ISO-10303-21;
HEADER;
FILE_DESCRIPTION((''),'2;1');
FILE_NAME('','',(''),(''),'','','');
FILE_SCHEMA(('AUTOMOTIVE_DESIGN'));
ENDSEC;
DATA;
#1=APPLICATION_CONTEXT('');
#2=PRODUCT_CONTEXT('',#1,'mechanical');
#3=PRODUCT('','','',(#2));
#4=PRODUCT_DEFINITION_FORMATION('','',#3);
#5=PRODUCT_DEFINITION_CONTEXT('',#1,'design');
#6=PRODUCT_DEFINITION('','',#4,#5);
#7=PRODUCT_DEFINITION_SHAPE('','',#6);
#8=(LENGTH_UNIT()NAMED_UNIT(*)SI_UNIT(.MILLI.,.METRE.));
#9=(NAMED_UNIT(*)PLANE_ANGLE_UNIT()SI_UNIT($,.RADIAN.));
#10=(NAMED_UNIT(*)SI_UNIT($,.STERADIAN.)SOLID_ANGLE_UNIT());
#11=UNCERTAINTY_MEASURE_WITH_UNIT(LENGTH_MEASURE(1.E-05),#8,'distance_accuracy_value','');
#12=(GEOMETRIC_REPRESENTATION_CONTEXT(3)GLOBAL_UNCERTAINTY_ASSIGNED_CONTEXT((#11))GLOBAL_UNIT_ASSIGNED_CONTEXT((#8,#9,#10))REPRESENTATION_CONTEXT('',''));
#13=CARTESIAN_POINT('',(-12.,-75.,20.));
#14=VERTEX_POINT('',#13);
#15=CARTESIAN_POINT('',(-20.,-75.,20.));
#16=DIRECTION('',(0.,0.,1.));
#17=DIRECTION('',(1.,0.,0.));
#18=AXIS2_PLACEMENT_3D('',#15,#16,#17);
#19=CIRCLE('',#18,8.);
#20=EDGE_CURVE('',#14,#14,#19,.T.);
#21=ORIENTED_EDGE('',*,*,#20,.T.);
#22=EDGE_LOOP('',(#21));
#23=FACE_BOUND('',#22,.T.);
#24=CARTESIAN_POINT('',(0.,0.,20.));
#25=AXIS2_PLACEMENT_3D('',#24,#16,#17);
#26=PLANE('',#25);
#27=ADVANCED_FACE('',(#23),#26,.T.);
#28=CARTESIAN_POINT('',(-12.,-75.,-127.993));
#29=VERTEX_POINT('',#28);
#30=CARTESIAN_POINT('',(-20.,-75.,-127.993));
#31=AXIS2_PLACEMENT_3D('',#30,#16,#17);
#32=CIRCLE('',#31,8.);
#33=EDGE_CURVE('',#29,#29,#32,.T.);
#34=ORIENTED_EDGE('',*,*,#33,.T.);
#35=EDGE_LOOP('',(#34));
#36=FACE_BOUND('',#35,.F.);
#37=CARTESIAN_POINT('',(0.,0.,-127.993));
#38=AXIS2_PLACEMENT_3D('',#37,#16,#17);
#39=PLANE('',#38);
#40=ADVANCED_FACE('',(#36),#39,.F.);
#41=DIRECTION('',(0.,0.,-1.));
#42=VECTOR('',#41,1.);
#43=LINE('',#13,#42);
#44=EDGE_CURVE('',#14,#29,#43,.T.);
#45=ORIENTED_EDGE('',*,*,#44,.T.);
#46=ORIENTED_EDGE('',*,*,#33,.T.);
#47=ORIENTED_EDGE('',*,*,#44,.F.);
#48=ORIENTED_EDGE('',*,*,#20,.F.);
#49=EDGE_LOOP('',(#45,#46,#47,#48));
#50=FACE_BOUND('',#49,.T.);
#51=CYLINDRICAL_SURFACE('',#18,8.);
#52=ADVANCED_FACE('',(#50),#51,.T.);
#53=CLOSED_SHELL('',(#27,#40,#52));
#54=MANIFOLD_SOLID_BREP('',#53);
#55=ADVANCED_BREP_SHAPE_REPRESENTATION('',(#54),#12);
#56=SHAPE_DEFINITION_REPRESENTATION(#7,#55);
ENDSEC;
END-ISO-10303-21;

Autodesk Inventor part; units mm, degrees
ref_plane "YZ Plane" through (0, 0, 0) normal (1, 0, 0) x (0, 1, 0)
ref_plane "XZ Plane" through (0, 0, 0) normal (0, 1, 0) x (-1, 0, 0)
ref_plane "Work Plane1" through (0, 0, 20) normal (0, 0, 1) x (1, 0, 0)
sketch "Sketch1" plane through (0, 0, 20) normal (0, 0, 1) x (1, 0, 0)
  circle A0 centre (-20, -75) radius 8 projected
  point P0 (0, 0)
extrude "Extrusion1" add sketch "Sketch1" against normal blind 147.993
thread "Thread2" size "M16x2" class "6g" standard "ANSI Metric M Profile" length 10
properties part number "Eje roscado base soporte tubo" material "Steel AISI 1020 107 HR"
